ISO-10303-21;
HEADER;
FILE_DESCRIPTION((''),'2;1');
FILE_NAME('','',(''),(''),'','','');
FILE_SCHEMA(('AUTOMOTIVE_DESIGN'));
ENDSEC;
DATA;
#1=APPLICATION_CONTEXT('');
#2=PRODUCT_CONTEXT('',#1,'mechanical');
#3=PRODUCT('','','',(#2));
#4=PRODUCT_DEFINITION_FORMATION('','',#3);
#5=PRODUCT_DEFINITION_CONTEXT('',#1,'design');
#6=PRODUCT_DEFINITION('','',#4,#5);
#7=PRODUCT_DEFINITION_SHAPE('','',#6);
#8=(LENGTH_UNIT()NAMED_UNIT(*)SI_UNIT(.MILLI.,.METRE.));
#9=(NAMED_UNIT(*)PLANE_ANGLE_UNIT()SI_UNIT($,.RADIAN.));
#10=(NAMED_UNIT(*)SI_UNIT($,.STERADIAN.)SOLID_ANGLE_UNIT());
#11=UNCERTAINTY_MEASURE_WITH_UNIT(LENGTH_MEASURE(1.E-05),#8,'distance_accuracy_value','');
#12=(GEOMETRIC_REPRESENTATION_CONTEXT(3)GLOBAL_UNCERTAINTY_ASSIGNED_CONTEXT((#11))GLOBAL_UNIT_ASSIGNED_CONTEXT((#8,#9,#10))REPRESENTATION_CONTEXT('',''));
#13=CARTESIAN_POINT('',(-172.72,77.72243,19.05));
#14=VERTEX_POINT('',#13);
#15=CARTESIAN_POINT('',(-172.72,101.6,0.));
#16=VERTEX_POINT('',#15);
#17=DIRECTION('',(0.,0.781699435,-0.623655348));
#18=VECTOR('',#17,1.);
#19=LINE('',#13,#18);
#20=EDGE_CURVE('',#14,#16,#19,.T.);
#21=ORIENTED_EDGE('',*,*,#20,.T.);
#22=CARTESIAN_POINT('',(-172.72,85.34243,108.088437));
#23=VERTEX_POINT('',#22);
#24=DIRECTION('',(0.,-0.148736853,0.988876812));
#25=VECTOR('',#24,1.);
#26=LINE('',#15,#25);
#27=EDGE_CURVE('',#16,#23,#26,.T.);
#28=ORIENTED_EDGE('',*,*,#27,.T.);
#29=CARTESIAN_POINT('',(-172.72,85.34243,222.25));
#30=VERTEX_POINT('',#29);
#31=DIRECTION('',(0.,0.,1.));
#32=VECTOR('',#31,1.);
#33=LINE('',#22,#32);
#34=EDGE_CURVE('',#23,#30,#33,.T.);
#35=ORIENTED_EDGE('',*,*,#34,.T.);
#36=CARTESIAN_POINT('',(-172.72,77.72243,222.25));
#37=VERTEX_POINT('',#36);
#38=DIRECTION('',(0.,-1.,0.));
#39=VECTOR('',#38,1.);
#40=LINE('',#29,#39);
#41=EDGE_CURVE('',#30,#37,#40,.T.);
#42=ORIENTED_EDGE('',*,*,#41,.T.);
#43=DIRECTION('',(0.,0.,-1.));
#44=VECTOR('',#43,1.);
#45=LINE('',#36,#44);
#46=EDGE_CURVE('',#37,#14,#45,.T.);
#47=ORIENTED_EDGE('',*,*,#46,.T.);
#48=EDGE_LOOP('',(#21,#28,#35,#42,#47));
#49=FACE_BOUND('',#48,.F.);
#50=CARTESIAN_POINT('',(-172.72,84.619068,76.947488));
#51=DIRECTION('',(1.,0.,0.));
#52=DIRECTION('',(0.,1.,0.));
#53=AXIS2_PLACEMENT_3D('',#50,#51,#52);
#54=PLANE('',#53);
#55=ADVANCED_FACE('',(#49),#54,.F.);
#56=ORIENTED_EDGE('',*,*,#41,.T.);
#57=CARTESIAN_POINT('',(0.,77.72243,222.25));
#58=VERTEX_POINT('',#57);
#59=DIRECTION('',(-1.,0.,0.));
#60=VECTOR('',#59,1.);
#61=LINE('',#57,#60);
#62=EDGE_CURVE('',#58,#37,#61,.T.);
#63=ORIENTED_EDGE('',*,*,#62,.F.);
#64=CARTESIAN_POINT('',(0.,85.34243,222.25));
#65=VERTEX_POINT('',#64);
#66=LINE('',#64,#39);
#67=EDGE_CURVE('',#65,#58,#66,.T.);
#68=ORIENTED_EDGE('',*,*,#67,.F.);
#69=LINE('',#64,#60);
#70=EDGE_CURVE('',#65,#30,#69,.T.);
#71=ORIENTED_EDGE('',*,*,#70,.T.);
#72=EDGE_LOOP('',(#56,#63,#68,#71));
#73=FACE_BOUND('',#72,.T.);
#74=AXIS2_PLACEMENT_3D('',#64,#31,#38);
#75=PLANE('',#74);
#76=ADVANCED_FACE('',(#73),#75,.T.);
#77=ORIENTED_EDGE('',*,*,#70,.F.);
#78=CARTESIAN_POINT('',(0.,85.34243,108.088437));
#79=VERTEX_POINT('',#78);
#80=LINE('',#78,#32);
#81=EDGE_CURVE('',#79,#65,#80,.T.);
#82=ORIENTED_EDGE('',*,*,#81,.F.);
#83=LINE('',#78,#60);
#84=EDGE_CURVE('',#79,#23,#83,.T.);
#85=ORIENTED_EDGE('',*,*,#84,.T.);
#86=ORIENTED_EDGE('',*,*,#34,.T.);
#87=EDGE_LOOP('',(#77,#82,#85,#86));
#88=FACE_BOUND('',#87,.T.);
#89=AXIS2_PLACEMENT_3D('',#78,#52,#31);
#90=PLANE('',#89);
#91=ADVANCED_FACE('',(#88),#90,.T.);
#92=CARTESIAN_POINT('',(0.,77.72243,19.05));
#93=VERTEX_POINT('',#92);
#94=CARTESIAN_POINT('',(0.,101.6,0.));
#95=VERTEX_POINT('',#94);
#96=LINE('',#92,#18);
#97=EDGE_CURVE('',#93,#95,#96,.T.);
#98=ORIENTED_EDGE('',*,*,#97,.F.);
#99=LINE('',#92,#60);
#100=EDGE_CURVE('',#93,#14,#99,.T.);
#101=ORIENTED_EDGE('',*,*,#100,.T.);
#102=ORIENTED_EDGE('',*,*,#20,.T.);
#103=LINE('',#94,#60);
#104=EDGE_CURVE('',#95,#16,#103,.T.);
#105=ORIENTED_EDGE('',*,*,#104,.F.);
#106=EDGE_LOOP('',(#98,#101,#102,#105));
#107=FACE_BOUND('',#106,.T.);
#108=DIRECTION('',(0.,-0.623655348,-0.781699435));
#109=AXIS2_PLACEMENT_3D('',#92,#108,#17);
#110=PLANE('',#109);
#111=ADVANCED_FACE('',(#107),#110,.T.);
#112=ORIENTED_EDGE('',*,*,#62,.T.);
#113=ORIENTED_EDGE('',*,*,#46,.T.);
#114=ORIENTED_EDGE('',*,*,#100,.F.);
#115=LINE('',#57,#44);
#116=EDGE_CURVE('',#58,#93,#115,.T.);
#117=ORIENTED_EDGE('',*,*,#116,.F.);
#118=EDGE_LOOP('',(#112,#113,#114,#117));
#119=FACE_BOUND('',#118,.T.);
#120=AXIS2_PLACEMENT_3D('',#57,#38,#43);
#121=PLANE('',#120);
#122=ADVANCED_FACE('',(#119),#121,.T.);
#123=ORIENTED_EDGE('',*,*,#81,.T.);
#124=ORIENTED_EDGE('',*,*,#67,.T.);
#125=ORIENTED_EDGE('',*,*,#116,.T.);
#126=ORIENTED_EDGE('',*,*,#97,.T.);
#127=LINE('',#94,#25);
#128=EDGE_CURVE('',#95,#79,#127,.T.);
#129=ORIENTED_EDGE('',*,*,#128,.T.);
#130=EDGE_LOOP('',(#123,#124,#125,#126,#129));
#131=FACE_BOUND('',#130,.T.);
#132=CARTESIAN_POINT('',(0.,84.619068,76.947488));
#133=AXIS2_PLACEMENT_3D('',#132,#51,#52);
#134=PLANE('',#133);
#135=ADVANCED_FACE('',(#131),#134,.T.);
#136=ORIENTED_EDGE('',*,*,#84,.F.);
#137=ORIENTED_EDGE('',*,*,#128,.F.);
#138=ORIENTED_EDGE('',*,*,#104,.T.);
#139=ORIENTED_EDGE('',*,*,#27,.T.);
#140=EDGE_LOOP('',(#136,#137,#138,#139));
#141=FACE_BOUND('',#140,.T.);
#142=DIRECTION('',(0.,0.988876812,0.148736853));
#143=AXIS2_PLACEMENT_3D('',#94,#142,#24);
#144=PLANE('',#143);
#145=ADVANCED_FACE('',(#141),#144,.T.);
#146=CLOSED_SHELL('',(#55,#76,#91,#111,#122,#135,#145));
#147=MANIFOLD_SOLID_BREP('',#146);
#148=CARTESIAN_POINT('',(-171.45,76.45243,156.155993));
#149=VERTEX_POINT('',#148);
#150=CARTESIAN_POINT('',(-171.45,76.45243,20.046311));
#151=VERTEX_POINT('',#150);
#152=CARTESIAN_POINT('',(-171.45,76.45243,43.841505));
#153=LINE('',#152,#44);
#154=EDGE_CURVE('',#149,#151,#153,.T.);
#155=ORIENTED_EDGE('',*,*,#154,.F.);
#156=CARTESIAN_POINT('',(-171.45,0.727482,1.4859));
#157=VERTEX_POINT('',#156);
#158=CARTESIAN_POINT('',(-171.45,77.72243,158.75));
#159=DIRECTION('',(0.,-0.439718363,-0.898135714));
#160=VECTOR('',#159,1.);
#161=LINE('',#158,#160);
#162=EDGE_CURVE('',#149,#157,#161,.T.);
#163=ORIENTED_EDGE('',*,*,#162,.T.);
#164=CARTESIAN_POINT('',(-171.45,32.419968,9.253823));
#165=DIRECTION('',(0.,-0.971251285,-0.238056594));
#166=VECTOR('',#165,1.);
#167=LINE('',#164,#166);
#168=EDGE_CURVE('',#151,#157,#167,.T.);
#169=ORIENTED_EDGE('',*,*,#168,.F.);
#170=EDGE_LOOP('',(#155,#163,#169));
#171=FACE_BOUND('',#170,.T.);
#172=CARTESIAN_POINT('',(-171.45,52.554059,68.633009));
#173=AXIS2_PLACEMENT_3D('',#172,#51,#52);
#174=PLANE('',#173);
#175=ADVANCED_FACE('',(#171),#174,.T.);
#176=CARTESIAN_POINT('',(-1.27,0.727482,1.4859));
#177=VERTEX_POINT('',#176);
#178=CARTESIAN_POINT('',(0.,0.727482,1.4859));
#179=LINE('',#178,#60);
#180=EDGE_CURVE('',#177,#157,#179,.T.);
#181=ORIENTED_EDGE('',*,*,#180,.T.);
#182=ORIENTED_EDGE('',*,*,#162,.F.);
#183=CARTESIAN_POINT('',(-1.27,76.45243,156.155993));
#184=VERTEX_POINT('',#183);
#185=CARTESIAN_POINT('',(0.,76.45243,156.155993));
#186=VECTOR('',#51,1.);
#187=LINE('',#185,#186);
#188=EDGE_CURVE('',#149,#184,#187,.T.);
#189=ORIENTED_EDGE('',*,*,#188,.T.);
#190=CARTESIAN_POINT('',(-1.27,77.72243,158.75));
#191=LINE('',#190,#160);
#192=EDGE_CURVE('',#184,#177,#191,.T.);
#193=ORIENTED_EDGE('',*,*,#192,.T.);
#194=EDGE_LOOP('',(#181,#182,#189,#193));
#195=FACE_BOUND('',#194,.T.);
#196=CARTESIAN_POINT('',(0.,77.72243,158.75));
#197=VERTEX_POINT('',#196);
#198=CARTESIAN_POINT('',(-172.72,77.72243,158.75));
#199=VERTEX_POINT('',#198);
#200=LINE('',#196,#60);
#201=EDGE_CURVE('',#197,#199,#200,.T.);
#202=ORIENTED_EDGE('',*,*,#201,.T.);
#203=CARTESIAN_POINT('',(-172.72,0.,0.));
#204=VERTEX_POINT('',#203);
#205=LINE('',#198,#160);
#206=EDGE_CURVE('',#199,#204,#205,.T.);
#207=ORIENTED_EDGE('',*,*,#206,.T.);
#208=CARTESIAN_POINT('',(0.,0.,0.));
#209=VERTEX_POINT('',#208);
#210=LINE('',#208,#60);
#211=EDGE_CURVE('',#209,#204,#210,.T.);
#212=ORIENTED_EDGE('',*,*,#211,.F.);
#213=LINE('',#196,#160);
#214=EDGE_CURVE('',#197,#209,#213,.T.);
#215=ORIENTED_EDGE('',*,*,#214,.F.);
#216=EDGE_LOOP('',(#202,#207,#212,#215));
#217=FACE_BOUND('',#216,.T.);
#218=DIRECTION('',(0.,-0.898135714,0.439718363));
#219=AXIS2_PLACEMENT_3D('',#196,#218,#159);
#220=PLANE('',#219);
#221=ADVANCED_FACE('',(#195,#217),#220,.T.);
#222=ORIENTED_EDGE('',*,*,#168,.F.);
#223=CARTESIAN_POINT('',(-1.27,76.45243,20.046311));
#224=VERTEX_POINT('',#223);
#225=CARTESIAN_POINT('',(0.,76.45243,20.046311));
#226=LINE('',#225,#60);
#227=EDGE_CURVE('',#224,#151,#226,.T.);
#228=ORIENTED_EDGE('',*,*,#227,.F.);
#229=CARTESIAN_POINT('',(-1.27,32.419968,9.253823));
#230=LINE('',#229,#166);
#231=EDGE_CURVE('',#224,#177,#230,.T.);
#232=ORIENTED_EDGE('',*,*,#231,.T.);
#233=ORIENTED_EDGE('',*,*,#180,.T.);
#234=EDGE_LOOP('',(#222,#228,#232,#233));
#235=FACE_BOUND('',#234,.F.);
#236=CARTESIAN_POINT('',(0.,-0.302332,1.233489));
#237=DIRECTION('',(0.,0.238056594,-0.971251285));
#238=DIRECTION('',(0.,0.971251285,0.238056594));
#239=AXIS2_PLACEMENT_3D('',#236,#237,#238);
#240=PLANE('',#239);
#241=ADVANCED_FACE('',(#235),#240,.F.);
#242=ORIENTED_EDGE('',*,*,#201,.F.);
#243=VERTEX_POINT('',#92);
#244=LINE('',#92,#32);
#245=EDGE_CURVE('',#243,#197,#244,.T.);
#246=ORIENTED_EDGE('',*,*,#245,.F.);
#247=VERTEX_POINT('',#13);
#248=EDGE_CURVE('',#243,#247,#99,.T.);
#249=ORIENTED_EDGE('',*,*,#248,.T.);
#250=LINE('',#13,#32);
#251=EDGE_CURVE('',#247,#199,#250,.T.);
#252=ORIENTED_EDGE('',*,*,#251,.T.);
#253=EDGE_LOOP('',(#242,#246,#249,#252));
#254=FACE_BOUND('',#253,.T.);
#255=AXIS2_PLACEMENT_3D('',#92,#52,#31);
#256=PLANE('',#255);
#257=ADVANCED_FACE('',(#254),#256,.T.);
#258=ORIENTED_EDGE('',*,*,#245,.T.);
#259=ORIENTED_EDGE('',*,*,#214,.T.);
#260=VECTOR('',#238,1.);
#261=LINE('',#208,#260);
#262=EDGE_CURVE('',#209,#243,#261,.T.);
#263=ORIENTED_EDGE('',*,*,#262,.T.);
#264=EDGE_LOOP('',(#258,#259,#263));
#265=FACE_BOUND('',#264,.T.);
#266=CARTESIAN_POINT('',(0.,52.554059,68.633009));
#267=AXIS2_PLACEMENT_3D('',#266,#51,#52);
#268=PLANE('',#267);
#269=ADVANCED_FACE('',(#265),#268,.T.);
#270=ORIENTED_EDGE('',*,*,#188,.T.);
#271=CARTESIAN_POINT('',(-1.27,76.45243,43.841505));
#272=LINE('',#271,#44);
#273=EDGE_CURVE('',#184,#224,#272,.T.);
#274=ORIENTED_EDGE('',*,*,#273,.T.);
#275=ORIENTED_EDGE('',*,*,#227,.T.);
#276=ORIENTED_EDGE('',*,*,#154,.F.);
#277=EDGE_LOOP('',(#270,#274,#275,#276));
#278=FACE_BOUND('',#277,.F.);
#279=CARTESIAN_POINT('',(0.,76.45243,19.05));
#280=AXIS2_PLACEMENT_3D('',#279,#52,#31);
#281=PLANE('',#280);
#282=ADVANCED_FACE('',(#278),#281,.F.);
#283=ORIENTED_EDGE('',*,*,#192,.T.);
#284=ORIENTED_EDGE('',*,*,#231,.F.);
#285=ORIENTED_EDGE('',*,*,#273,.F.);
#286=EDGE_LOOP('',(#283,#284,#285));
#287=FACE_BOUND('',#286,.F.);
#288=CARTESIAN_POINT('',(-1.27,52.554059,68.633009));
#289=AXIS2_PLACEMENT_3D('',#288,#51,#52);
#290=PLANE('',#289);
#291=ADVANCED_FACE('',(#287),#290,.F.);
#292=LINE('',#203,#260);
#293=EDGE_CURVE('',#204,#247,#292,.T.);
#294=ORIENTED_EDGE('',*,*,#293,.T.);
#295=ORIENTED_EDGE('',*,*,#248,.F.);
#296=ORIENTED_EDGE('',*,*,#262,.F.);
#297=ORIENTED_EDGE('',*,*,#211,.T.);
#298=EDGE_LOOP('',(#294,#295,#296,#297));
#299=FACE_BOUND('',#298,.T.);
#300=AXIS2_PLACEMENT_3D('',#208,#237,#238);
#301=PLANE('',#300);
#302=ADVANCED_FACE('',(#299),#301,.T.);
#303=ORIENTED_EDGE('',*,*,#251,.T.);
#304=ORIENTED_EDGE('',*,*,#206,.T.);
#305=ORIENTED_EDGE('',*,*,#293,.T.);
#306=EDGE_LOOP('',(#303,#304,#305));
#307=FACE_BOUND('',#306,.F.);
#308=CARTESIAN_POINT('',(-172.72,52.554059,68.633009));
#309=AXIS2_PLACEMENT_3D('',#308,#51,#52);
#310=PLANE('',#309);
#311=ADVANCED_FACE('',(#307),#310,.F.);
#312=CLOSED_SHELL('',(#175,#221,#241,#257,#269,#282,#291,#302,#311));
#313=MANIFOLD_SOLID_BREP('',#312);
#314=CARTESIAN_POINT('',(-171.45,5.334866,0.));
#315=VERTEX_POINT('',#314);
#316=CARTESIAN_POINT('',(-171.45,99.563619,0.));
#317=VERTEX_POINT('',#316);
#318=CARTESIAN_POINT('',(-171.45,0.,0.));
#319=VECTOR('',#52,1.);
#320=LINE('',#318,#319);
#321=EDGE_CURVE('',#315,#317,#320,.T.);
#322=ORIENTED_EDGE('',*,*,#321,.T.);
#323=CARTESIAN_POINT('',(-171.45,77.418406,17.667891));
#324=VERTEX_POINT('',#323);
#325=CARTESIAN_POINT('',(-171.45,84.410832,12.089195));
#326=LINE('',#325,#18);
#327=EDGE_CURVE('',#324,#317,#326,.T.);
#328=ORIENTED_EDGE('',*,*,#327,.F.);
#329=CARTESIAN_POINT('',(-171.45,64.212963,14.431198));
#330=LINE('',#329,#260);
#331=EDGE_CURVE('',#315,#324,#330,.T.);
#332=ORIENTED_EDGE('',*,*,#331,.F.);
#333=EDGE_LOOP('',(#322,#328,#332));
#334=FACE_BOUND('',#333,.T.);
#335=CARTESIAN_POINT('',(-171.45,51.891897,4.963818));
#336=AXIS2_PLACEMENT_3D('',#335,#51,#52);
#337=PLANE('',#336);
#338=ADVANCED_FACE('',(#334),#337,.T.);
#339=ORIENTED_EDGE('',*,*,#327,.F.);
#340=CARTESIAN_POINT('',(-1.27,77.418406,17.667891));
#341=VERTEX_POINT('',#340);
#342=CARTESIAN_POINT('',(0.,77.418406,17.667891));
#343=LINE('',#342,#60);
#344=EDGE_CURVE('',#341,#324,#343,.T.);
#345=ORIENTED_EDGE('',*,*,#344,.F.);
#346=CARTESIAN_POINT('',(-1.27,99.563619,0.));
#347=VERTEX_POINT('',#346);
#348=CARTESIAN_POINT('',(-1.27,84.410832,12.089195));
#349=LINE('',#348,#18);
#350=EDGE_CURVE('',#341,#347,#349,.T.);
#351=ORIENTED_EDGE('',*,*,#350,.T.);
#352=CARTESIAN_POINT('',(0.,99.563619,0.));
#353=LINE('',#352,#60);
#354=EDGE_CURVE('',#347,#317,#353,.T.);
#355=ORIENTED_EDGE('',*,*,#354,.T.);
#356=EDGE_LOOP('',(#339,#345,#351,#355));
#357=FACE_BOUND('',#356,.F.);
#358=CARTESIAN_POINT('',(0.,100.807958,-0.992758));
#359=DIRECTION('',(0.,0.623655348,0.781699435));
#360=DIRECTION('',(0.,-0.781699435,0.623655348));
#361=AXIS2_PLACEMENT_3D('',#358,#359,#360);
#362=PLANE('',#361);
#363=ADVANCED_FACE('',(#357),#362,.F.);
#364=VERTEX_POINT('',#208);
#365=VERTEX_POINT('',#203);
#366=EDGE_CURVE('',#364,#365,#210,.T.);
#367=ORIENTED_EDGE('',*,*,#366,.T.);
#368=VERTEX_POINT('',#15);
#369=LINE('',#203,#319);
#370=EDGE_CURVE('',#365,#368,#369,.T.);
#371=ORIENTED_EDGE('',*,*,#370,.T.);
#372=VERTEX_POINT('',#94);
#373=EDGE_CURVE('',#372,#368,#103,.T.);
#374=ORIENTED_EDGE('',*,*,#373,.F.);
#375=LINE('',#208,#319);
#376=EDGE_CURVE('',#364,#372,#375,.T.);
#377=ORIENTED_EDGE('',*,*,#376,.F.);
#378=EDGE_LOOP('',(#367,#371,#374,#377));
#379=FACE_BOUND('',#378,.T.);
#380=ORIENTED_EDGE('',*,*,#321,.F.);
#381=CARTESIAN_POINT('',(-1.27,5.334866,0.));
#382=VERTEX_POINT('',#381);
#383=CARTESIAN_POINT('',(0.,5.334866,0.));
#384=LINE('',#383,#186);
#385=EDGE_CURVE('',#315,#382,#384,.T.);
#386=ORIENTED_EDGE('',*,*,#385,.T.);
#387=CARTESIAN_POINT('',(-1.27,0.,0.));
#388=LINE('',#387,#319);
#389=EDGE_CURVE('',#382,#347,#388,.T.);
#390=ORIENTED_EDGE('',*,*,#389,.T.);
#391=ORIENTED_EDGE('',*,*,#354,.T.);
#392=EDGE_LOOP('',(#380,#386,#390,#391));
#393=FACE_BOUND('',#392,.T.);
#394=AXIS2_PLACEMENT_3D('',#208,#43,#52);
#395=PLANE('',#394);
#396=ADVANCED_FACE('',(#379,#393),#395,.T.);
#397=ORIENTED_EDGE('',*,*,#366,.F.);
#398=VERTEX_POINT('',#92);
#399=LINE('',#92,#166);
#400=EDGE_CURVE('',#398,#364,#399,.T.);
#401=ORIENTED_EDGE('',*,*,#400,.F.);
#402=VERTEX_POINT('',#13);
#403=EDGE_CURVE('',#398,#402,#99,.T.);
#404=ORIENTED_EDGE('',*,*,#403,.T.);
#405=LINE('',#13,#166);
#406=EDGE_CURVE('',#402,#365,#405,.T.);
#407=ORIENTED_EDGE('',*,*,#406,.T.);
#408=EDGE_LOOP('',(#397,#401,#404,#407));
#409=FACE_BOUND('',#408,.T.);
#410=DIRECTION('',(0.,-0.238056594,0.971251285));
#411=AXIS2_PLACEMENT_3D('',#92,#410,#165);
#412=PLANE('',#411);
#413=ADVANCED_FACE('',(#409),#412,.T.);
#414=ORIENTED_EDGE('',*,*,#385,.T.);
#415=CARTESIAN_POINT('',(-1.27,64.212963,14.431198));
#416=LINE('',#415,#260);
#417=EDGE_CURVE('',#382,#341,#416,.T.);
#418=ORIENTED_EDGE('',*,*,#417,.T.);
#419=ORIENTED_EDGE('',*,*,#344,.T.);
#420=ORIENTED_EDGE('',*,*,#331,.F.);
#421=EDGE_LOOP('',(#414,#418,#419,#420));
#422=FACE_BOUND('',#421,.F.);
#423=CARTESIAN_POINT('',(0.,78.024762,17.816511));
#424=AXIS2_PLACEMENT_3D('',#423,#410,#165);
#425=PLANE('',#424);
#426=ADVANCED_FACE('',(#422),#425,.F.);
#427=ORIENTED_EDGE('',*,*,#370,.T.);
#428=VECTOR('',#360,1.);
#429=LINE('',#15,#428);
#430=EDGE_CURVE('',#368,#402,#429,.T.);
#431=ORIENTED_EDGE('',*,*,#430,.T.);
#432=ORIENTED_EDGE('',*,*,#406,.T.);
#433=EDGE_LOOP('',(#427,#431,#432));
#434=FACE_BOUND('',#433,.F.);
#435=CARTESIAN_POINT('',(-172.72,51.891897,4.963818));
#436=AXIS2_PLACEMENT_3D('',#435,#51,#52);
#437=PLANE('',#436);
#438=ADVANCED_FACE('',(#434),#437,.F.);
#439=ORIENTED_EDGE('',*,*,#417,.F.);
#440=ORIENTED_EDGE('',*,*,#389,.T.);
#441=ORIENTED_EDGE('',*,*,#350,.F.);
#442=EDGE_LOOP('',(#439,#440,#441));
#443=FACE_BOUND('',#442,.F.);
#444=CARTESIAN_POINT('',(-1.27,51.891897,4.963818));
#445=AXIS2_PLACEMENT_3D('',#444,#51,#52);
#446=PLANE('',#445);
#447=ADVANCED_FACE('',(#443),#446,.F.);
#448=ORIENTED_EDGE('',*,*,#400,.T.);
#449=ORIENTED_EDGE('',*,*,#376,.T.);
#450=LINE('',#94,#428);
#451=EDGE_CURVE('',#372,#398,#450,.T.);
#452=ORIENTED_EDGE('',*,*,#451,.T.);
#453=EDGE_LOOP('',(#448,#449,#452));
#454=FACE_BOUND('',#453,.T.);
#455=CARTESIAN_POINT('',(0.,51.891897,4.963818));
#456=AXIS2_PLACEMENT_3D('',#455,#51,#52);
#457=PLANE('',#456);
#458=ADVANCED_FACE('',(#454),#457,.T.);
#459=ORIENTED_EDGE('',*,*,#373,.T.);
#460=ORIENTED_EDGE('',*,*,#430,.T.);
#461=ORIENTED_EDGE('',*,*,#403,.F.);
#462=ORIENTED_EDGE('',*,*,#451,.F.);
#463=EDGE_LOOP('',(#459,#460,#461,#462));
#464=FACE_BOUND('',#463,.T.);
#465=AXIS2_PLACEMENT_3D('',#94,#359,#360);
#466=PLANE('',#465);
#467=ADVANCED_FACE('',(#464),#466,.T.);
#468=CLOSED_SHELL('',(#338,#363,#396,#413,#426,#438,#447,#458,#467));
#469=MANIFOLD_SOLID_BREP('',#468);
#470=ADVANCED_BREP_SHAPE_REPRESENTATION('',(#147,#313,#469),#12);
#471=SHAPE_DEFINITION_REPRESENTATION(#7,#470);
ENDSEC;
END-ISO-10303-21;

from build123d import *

# Parameters (mm, degrees)
F1_DEPTH = 172.72
F2_DEPTH = 172.72
F3_DEPTH = 172.72
F4_T     = -1.27
F5_T     = -1.27


with BuildPart() as f1:
    # F0 (on Right) → F1 (new body)
    with BuildSketch(Plane.YZ):
        Polygon((77.72243, 158.75), (0, 0), (77.72243, 19.05), align=None)
    extrude(amount=-F1_DEPTH)

    # F4
    f4_openings = [f1.faces().sort_by_distance(p)[0] for p in [
        (-86.36, 38.861215, 79.375),
    ]]
    offset(amount=F4_T, openings=f4_openings)


with BuildPart() as f2:
    # F0 (on Right) → F2 (new body)
    with BuildSketch(Plane.YZ):
        Polygon((77.72243, 19.05), (101.6, 0), (85.34243, 108.088437), (77.72243, 158.75), align=None)
        Polygon((77.72243, 222.25), (77.72243, 158.75), (85.34243, 108.088437), (85.34243, 222.25), align=None)
    extrude(amount=-F2_DEPTH)


with BuildPart() as f3:
    # F0 (on Right) → F3 (new body)
    with BuildSketch(Plane.YZ):
        Polygon((77.72243, 19.05), (0, 0), (101.6, 0), align=None)
    extrude(amount=-F3_DEPTH)

    # F5
    f5_openings = [f3.faces().sort_by_distance(p)[0] for p in [
        (-86.36, 50.8, 0),
    ]]
    offset(amount=F5_T, openings=f5_openings)


solid = Compound([f1.part, f2.part, f3.part])
